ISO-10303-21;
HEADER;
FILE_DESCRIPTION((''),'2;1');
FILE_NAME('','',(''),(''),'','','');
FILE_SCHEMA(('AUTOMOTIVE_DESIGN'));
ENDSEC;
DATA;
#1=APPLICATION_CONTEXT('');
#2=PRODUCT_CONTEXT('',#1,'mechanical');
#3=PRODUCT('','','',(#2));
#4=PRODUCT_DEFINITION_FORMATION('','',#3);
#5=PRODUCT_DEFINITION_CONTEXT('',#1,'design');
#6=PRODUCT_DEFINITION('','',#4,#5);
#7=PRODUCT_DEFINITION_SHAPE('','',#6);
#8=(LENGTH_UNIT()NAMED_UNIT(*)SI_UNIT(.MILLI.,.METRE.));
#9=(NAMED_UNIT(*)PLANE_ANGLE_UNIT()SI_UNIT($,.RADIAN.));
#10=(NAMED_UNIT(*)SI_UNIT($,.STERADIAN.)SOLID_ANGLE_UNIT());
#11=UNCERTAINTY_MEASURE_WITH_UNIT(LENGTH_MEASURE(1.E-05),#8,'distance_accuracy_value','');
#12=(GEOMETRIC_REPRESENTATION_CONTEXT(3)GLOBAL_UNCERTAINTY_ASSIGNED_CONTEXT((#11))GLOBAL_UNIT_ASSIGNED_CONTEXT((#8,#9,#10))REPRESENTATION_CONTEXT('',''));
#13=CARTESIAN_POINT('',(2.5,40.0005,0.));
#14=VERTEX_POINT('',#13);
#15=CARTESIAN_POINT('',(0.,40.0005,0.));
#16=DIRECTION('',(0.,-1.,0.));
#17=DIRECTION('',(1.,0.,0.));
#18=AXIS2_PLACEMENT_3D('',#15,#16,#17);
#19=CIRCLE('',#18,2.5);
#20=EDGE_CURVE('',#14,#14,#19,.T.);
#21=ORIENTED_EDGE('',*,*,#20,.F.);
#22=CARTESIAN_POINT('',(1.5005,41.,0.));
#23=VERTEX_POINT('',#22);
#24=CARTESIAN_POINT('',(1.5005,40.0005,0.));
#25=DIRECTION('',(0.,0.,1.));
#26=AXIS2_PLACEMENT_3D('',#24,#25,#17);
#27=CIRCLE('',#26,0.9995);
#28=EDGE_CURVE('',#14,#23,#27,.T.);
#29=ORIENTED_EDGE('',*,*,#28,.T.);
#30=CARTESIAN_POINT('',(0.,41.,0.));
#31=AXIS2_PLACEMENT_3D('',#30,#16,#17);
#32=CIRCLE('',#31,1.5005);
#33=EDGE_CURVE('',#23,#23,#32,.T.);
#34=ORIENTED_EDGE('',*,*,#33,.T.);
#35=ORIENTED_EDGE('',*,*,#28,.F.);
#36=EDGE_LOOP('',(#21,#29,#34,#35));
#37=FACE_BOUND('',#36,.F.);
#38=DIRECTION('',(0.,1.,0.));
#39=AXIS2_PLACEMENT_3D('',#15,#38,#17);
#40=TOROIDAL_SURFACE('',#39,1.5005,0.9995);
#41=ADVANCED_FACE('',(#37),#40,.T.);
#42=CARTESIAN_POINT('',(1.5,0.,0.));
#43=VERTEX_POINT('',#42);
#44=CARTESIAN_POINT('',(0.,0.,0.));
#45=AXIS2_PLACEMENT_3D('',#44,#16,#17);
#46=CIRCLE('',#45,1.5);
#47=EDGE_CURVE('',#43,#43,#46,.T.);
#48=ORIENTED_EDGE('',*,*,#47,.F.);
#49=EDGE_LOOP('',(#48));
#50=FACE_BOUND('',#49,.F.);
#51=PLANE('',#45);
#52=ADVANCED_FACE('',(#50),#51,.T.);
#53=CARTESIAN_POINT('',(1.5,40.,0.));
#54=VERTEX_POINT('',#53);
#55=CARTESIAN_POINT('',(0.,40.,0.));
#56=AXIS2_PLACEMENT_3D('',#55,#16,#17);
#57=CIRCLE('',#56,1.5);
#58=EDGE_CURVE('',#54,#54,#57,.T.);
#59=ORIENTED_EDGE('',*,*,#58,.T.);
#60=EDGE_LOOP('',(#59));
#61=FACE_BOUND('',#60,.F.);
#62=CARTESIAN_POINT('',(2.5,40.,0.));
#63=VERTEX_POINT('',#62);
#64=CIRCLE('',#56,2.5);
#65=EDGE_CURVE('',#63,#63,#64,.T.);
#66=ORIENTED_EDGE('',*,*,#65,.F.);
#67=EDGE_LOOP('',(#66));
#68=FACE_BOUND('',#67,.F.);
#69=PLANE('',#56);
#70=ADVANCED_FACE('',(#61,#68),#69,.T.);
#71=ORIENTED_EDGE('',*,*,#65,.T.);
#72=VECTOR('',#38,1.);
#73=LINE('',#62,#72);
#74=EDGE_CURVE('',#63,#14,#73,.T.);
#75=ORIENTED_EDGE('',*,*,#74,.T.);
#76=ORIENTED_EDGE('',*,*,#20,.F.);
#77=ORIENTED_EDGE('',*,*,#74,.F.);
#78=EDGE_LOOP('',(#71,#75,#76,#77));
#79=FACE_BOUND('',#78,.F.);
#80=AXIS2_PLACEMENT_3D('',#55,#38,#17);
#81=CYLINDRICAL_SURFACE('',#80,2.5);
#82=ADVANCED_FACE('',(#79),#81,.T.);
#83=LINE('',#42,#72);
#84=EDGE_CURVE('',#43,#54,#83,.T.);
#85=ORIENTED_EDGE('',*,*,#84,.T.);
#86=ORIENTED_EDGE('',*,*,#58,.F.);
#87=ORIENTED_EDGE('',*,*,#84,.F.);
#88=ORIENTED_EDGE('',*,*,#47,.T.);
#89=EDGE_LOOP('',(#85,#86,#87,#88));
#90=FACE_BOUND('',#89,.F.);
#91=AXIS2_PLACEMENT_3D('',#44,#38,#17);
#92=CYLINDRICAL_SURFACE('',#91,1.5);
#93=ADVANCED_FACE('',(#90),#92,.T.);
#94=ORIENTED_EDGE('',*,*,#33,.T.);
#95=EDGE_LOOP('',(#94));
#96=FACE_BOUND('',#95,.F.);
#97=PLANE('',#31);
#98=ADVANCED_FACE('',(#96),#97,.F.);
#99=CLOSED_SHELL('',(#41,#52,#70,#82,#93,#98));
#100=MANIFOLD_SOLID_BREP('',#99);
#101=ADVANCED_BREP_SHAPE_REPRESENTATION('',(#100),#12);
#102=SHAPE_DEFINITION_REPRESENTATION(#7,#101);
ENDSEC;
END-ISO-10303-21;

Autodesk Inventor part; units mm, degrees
ref_plane "YZ Plane" through (0, 0, 0) normal (1, 0, 0) x (0, 1, 0)
ref_plane "XZ Plane" through (0, 0, 0) normal (0, 1, 0) x (-1, 0, 0)
ref_plane "XY Plane" through (0, 0, 0) normal (0, 0, 1) x (1, 0, 0)
sketch "Sketch1" plane through (0, 0, 0) normal (0, 0, 1) x (1, 0, 0)
  line L0 (0, 0) -> (1.5, 0)
  line L1 (1.5, 0) -> (1.5, 40)
  line L2 (1.5, 40) -> (0, 40)
  line L3 (0, 40) -> (0, 0)
  line L4 (0, 40) -> (2.5, 40)
  line L5 (2.5, 40) -> (2.5, 41)
  line L6 (2.5, 41) -> (0, 41)
  line L7 (0, 41) -> (0, 40)
  dimension "d0" = 1.5
  dimension "d1" = 2.5
  dimension "d2" = 1
  dimension "d7" = 40
revolve "Revolution1" add sketch "Sketch1" angle 360 about axis through (0, 40, 0) along (0, -1, 0)
fillet "Fillet1" radius 1 1 edges at (-2.5, 41, 0)
thread "Thread1" size "M3x0.5" class "6g" standard "ANSI Metric M Profile" full length
properties part number "m3x40"
